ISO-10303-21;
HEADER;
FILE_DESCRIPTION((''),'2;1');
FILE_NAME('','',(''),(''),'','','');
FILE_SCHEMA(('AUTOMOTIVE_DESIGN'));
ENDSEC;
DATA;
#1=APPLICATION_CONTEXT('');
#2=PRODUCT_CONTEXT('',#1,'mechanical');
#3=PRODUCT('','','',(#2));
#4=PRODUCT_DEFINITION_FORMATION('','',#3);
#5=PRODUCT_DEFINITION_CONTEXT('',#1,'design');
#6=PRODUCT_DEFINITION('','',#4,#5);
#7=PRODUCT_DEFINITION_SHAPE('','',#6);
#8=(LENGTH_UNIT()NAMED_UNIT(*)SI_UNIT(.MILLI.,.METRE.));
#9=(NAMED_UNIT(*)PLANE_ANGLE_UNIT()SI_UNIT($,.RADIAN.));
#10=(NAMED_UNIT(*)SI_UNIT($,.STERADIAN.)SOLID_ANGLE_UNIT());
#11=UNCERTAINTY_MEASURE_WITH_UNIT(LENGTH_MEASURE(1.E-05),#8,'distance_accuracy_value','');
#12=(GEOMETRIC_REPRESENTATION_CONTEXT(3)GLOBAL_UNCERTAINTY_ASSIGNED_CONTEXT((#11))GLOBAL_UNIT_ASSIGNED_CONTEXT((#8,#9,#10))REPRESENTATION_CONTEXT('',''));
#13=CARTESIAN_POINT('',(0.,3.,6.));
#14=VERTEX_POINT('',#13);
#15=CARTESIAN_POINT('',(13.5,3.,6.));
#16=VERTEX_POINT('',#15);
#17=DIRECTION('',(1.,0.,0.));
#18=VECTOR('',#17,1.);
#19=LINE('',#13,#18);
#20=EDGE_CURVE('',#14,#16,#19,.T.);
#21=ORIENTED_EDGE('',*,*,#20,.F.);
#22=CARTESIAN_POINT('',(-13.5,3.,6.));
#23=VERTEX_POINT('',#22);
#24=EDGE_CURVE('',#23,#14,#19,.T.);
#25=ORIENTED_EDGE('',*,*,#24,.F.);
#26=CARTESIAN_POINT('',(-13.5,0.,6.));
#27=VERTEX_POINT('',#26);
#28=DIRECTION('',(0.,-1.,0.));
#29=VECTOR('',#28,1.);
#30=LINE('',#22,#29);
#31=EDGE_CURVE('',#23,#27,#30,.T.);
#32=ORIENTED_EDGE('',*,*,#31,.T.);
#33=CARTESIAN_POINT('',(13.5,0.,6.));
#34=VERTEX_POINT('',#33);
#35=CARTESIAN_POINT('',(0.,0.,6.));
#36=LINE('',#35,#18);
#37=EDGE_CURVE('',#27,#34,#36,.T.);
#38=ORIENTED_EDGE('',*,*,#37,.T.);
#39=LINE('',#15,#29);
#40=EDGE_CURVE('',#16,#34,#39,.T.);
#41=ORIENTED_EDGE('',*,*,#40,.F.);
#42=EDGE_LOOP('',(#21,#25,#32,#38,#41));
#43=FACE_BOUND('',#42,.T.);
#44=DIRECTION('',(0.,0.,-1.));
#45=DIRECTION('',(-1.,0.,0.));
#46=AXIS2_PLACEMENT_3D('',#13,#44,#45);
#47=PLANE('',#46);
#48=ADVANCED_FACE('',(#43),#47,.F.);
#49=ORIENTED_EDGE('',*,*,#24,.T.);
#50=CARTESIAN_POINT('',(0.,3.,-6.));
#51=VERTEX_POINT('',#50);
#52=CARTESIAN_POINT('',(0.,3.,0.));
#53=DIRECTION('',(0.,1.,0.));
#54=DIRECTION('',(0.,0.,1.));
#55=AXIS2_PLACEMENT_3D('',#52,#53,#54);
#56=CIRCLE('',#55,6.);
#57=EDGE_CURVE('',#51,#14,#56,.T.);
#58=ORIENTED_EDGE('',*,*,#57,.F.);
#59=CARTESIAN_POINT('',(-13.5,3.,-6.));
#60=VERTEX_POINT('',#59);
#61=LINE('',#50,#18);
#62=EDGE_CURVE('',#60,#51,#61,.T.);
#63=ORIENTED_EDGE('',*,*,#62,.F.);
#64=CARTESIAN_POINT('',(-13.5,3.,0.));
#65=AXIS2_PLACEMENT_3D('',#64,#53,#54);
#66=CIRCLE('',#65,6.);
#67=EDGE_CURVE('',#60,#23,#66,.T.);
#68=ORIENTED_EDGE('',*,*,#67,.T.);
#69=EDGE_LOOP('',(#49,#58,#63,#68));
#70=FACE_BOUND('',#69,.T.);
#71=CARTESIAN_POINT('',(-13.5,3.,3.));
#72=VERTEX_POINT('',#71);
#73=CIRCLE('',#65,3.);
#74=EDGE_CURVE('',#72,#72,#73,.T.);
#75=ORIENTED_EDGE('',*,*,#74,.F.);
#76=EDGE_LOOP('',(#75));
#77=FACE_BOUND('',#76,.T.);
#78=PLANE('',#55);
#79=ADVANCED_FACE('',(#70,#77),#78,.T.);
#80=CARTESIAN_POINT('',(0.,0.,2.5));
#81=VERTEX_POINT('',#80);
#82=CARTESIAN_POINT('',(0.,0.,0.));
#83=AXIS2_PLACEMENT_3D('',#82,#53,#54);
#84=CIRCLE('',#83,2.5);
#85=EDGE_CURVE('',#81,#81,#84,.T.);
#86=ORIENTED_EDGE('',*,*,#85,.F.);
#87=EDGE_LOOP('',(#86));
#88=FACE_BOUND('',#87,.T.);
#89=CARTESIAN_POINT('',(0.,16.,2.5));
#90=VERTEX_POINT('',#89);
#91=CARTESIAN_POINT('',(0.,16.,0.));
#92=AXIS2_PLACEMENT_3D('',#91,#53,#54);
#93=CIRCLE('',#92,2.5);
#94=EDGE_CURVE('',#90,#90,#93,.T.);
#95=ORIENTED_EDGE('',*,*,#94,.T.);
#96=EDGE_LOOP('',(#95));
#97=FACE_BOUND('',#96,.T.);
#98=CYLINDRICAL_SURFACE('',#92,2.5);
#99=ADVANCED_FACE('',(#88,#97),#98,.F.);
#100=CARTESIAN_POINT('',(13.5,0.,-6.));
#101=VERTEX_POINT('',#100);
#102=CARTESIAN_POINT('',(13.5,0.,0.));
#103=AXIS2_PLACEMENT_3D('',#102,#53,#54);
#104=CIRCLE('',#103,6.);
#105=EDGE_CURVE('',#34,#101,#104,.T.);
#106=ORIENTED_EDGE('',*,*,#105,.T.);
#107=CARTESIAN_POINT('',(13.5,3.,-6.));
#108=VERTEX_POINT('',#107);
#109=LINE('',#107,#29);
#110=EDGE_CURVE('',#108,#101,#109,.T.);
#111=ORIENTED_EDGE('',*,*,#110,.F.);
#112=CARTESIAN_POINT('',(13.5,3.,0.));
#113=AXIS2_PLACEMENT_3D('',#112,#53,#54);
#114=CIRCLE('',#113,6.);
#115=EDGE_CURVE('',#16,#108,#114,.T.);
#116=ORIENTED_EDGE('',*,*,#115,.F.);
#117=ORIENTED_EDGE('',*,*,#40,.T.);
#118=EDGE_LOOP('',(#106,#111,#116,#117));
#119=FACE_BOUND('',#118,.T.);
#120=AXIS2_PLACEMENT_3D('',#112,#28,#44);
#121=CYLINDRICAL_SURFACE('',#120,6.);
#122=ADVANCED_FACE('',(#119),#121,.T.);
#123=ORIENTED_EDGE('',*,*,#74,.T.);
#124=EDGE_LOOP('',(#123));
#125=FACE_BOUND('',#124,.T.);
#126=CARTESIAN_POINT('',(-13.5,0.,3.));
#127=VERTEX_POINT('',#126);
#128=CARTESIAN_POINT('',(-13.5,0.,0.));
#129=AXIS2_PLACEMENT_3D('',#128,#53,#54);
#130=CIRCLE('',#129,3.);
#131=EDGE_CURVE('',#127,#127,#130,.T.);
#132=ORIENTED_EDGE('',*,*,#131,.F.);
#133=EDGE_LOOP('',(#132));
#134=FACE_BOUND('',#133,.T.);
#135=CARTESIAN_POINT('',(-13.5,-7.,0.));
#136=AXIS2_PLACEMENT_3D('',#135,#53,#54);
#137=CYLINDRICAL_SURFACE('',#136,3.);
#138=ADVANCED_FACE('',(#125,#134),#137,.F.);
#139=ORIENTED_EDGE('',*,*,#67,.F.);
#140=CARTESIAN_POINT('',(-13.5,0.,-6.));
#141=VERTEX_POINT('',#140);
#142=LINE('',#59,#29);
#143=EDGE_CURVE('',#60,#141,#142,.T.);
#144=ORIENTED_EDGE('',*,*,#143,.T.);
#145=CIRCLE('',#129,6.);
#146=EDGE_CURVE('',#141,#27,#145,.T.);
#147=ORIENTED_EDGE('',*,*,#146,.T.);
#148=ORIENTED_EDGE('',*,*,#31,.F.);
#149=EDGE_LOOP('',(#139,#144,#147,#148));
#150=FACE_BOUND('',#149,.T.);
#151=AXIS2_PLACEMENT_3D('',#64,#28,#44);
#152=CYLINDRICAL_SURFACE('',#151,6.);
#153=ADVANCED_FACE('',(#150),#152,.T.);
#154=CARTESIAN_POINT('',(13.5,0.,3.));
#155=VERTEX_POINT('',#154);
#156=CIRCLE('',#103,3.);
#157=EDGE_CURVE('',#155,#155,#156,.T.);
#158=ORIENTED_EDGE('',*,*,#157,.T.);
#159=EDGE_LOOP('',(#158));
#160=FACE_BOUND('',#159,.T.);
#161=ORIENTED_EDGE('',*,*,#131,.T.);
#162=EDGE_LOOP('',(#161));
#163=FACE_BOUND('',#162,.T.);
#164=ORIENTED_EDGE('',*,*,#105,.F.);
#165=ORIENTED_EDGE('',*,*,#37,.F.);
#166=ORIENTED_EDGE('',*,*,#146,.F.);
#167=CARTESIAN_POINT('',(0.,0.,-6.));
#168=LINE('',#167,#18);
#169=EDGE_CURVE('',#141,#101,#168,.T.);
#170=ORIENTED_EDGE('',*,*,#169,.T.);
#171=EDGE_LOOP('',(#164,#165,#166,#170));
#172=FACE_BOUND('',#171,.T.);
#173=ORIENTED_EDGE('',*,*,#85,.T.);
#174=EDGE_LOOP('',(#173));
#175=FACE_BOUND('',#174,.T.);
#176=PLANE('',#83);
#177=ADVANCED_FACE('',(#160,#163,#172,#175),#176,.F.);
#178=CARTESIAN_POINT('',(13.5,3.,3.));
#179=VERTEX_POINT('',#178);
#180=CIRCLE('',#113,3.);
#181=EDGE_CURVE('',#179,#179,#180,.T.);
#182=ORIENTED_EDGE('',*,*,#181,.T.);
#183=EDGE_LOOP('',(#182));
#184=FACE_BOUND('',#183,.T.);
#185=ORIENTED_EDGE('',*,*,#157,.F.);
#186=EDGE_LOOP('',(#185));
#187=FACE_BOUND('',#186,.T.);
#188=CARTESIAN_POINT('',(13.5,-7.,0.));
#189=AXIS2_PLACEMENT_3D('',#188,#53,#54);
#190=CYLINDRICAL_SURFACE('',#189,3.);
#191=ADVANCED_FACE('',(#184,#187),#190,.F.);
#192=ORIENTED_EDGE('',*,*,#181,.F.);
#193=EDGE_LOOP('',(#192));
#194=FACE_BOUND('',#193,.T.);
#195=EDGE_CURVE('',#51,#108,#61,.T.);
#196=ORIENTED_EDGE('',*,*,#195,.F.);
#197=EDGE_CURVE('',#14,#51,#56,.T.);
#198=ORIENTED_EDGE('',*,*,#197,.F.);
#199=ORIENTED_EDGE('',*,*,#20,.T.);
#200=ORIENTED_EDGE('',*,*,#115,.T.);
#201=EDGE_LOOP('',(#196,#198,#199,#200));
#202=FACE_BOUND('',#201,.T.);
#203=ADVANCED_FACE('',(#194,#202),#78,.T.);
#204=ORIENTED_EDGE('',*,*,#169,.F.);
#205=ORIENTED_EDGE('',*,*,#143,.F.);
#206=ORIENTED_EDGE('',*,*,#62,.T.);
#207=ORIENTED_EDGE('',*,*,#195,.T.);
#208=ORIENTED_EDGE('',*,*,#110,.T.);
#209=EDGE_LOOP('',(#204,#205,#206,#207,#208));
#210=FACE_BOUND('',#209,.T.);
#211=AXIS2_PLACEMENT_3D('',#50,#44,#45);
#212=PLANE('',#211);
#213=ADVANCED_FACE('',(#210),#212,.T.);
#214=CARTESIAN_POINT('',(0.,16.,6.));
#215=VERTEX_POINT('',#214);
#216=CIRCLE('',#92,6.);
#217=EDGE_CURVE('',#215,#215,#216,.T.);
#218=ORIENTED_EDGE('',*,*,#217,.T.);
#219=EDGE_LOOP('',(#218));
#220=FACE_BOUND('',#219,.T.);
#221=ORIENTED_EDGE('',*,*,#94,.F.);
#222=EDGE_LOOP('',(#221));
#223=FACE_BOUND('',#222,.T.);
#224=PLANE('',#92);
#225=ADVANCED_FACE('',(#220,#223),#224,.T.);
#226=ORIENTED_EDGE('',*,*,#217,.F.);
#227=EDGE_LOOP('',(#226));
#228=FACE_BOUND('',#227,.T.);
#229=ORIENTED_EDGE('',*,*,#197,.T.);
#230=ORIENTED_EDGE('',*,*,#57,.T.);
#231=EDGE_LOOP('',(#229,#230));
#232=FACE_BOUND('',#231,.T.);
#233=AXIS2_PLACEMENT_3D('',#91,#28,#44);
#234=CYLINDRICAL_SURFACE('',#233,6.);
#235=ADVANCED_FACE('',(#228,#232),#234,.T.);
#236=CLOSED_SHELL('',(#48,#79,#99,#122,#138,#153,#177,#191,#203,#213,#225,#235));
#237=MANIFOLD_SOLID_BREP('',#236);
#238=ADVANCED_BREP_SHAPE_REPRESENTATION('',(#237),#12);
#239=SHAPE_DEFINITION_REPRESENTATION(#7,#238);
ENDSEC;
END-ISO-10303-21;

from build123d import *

# Parameters (mm, degrees)
SKETCH_1_R          = 6
EXTRUDE_1_DEPTH     = 3
SKETCH_2_R          = 6
EXTRUDE_2_DEPTH     = 13
HOLE_WIZARD_M6_1_D  = 5
SKETCH_6_R          = 3
CUT_EXTRUDE_1_DEPTH = 10


with BuildPart() as part:
    # 草图1 → 凸台-拉伸1 (new body)
    with BuildSketch(Plane(origin=(0, 0, 0), x_dir=(1, 0, 0), z_dir=(0, 1, 0))):
        with Locations((-13.5, 0)):
            Circle(SKETCH_1_R)
        with BuildLine():
            Line((13.5, 6), (-13.5, 6))
            ThreePointArc((-13.5, 6), (-9.257359313, 4.242640687), (-7.5, 0))
            ThreePointArc((-7.5, 0), (-9.257359313, -4.242640687), (-13.5, -6))
            Line((-13.5, -6), (13.5, -6))
            ThreePointArc((13.5, -6), (7.5, 0), (13.5, 6))
        make_face()
        with Locations((13.5, 0)):
            Circle(SKETCH_1_R)
        with BuildLine():
            Line((-13.5, -6), (-13.5, 6))
            ThreePointArc((-13.5, 6), (-19.5, 0), (-13.5, -6))
        make_face()
        with BuildLine():
            ThreePointArc((19.5, 0), (17.742640687, 4.242640687), (13.5, 6))
            Line((13.5, 6), (13.5, -6))
            ThreePointArc((13.5, -6), (17.742640687, -4.242640687), (19.5, 0))
        make_face()
    extrude(amount=EXTRUDE_1_DEPTH)

    # 草图2 → 凸台-拉伸2 (add)
    with BuildSketch(Plane(origin=(0, 3, 0), x_dir=(1, 0, 0), z_dir=(0, 1, 0))):
        Circle(SKETCH_2_R)
    extrude(amount=EXTRUDE_2_DEPTH)

    # M6 螺纹孔1 (through all)
    with Locations(Plane(origin=(0, 16, 0), x_dir=(1, 0, 0), z_dir=(0, 1, 0))):
        with Locations((0, 0)):
            Hole(HOLE_WIZARD_M6_1_D / 2)

    # 草图6 → 切除-拉伸1 (cut)
    with BuildSketch(Plane(origin=(0, 3, 0), x_dir=(1, 0, 0), z_dir=(0, 1, 0))):
        with Locations((-13.5, 0)):
            Circle(SKETCH_6_R)
        with Locations((13.5, 0)):
            Circle(SKETCH_6_R)
    extrude(amount=-CUT_EXTRUDE_1_DEPTH, mode=Mode.SUBTRACT)


solid = part.part
